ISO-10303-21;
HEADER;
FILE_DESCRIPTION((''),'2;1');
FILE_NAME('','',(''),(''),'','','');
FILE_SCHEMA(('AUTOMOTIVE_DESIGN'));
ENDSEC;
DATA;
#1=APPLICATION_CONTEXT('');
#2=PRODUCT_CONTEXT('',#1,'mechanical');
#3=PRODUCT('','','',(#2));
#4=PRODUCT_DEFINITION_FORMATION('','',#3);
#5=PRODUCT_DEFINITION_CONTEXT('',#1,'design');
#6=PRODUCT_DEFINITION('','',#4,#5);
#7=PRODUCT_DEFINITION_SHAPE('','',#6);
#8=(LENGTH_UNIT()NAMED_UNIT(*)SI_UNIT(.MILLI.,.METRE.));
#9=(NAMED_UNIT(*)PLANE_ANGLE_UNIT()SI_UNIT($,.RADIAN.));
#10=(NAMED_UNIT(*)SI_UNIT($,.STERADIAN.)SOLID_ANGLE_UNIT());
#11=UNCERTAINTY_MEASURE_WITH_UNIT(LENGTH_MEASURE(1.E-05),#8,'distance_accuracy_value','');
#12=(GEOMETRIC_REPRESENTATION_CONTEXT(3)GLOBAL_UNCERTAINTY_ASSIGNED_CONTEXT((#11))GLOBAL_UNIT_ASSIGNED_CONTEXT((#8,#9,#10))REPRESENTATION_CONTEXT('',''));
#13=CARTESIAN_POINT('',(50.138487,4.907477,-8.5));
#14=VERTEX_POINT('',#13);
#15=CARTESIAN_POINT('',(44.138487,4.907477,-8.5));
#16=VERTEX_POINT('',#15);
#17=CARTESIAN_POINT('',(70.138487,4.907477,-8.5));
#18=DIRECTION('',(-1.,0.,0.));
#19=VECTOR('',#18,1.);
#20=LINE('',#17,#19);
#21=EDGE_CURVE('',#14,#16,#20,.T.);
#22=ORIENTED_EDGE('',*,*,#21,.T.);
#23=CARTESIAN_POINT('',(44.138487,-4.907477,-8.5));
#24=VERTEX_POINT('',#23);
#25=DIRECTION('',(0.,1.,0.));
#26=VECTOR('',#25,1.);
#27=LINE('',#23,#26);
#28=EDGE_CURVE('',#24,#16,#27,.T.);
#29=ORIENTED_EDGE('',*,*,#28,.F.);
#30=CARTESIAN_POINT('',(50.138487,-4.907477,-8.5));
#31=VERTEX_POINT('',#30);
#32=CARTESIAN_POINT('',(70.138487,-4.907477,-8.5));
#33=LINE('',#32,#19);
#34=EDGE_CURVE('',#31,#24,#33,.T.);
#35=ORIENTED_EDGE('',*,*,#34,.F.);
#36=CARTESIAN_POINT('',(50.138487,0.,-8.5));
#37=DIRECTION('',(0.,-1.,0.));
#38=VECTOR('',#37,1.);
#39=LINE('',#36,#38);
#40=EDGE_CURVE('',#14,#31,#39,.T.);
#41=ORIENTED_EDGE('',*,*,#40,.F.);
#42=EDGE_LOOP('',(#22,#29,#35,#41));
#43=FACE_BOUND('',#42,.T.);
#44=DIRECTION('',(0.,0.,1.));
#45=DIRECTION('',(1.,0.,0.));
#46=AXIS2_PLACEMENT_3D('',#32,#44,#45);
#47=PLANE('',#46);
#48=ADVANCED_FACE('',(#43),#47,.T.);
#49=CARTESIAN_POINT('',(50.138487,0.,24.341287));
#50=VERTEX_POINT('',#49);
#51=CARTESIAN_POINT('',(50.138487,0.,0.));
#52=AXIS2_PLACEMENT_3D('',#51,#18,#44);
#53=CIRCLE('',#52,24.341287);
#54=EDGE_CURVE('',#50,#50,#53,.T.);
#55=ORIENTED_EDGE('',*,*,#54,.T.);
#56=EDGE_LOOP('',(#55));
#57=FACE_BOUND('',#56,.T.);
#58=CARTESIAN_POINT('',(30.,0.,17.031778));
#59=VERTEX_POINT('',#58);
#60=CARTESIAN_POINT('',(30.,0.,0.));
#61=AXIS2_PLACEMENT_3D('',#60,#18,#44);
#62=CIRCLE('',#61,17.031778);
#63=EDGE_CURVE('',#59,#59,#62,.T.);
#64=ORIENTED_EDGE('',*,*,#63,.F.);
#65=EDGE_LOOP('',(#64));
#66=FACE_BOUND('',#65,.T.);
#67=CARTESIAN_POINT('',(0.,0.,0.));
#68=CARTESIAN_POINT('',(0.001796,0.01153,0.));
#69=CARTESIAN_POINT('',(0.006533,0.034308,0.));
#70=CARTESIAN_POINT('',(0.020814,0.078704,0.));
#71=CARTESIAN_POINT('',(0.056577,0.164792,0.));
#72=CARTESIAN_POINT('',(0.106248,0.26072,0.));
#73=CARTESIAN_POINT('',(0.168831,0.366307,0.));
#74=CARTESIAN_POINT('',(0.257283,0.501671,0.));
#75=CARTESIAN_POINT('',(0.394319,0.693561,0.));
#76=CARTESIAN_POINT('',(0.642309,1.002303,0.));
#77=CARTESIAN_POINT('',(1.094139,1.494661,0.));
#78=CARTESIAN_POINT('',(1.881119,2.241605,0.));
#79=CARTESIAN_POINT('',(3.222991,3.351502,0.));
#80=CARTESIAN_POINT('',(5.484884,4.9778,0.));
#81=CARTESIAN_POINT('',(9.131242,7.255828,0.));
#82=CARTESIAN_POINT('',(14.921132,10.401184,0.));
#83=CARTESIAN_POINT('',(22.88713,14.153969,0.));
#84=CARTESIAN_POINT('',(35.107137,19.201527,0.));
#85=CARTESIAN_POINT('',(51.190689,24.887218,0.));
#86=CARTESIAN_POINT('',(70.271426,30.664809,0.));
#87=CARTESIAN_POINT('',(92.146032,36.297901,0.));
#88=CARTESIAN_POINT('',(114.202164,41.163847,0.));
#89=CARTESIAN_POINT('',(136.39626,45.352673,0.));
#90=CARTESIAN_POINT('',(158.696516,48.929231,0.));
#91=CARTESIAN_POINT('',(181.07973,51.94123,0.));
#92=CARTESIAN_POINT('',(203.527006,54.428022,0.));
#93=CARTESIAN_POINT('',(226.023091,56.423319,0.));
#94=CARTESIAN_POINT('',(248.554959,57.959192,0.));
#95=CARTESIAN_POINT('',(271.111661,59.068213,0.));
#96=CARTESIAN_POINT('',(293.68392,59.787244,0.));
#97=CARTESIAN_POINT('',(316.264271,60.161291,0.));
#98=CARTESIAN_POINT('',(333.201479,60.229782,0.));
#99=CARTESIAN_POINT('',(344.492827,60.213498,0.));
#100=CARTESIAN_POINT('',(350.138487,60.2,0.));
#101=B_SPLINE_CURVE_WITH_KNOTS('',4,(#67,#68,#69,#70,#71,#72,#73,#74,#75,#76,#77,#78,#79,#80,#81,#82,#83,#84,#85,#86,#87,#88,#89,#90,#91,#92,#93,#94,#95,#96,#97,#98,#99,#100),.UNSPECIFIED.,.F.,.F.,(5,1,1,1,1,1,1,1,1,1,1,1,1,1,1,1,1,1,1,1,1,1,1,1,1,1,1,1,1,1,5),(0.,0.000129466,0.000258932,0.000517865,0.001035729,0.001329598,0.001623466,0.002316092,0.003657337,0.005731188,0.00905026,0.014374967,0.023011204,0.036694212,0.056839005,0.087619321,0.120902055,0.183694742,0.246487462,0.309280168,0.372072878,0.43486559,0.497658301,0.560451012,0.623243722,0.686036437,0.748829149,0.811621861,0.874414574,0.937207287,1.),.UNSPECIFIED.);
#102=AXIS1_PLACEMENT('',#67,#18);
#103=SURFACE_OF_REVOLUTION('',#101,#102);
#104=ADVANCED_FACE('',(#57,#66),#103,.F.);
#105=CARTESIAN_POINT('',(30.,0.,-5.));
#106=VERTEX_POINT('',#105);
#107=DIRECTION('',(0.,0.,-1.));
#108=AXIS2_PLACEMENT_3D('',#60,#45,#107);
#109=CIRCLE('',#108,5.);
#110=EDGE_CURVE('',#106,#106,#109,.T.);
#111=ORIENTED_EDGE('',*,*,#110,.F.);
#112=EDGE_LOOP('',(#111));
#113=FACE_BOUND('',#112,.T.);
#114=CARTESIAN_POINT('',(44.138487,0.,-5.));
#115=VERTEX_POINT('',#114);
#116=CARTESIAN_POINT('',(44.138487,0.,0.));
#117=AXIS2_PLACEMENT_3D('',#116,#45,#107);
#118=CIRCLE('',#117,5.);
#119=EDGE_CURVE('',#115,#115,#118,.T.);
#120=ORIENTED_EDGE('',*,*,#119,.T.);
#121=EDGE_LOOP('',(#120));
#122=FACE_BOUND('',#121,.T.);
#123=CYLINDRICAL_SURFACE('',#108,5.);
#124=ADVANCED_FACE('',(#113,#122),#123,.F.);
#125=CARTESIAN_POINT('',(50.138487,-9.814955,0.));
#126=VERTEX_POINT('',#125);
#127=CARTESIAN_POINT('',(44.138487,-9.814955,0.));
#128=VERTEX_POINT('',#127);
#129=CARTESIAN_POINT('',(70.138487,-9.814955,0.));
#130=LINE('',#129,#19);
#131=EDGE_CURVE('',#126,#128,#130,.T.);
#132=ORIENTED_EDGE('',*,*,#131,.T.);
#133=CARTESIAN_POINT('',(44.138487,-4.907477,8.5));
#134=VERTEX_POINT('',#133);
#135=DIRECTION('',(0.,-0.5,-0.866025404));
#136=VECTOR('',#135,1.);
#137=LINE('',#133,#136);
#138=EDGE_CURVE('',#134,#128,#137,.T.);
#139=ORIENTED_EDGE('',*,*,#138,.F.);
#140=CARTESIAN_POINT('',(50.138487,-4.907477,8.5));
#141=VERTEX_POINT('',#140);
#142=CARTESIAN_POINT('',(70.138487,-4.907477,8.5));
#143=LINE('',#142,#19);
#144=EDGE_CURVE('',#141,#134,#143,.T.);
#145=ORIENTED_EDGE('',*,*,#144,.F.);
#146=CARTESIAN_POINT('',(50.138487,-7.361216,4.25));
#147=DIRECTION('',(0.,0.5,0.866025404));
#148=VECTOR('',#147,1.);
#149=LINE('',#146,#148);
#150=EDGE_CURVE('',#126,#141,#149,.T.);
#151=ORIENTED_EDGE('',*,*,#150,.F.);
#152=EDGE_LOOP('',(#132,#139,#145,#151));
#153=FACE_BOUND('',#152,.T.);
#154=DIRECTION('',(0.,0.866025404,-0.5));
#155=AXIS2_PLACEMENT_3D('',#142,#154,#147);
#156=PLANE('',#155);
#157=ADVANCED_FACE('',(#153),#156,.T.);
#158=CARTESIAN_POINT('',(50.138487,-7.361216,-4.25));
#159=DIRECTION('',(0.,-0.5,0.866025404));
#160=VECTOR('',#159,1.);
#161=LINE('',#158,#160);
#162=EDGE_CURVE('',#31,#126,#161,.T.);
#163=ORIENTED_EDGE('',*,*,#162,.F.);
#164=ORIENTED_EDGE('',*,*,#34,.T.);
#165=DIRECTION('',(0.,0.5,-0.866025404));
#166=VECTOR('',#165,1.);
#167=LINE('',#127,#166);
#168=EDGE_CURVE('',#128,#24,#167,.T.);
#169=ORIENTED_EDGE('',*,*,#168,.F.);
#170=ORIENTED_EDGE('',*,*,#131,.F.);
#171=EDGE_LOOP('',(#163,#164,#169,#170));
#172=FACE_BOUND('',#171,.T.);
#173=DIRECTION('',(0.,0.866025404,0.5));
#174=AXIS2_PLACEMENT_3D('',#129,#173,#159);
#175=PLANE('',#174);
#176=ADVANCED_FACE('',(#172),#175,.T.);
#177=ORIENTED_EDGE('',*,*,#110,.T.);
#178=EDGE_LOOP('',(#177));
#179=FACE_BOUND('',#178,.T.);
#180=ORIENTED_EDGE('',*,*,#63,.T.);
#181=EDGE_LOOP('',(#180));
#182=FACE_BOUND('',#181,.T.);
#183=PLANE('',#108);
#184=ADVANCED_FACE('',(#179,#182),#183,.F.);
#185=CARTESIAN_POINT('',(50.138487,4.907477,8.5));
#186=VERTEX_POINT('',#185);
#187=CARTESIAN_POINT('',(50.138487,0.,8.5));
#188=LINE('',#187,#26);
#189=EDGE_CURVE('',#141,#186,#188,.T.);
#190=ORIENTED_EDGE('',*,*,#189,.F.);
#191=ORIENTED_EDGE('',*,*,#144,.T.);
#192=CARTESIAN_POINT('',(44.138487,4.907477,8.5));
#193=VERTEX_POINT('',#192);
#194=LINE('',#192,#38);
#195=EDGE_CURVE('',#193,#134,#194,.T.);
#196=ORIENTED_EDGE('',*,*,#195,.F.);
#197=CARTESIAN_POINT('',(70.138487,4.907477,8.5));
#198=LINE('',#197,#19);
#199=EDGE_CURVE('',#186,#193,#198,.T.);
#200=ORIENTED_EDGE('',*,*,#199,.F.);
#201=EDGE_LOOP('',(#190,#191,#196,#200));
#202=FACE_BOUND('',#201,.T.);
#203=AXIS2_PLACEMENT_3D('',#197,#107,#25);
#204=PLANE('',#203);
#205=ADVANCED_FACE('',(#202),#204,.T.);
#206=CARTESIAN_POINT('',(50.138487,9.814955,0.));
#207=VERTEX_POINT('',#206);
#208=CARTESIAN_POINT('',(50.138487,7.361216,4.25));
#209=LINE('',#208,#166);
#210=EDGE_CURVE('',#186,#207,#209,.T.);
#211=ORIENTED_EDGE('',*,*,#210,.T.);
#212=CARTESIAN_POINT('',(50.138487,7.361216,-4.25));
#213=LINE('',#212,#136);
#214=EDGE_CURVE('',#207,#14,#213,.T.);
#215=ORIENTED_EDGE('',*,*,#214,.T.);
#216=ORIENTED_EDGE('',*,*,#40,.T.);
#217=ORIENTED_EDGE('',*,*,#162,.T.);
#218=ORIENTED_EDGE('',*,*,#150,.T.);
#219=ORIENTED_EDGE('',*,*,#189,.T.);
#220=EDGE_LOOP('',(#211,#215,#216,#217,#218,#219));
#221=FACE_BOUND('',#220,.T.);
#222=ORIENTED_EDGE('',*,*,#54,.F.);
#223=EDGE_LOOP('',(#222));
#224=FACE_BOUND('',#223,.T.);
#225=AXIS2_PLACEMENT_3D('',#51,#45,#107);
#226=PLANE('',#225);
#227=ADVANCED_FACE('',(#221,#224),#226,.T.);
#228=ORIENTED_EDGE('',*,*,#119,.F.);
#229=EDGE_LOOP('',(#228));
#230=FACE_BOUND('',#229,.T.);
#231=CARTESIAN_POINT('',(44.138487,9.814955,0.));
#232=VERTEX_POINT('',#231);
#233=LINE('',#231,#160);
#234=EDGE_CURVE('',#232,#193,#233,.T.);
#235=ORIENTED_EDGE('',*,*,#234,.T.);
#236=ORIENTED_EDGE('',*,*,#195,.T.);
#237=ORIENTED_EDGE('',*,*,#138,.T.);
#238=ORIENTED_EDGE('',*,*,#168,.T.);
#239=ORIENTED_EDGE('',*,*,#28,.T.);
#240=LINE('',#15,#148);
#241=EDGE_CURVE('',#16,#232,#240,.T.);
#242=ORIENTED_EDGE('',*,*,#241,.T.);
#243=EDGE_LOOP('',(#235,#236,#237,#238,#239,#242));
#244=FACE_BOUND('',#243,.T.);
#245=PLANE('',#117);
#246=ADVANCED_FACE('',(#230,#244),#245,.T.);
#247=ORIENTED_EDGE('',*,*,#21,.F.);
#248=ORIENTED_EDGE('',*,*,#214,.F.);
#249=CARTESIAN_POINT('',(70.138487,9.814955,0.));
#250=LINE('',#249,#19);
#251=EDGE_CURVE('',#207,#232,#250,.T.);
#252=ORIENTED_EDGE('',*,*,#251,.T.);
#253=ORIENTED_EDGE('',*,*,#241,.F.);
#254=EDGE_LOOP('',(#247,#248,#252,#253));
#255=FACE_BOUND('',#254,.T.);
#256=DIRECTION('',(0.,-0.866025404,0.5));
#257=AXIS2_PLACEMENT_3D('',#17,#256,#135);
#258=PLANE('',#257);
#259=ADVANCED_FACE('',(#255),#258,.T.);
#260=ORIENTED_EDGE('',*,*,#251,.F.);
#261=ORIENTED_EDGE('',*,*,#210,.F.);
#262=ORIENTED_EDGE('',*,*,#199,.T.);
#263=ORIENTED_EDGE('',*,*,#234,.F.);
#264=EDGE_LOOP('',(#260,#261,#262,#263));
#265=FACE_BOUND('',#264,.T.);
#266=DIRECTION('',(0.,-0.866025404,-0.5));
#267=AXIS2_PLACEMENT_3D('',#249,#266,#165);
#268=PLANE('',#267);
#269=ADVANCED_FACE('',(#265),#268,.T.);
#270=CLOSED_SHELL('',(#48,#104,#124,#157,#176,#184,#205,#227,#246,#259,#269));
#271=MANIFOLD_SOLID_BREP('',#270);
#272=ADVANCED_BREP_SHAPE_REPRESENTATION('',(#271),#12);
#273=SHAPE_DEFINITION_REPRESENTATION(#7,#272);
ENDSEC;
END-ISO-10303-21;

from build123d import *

# Parameters (mm, degrees)
SKIZZE4_R                            = 60
SCHNITT_LINEAR_AUSTRAGEN2_DEPTH      = 30
SKIZZE7_R                            = 100
SCHNITT_LINEAR_AUSTRAGEN4_DEPTH      = 270
SCHNITT_LINEAR_AUSTRAGEN3_DEPTH      = 20
SCHNITT_LINEAR_AUSTRAGEN3_DEPTH_BACK = 6
SKIZZE8_R                            = 5
SCHNITT_LINEAR_AUSTRAGEN5_DEPTH      = 15.138486988


with BuildPart() as part:
    # Skizze2 → Rotation1 (revolve)
    with BuildSketch(Plane.XY):
        with BuildLine():
            add(Edge.make_bspline(
                [(0, 0), (0.001795611, 0.01152954), (0.006532552, 0.034308256), (0.020814366, 0.078703922), (0.056576906, 0.164791889), (0.106248222, 0.260720398), (0.168831035, 0.366307006), (0.257283092, 0.501671411), (0.394318593, 0.693561073), (0.642308836, 1.002302903), (1.094138817, 1.494661034), (1.881119362, 2.241604858), (3.222990514, 3.351501836), (5.484884156, 4.977799832), (9.131242119, 7.255827512), (14.921132384, 10.401183749), (22.887129803, 14.153969102), (35.107137362, 19.201527382), (51.190688574, 24.887218377), (70.271426107, 30.664808891), (92.146031821, 36.297901472), (114.202164386, 41.163847082), (136.396259571, 45.35267271), (158.696515923, 48.929230891), (181.079729625, 51.941229812), (203.527006462, 54.42802234), (226.023091403, 56.423318789), (248.554958993, 57.959192165), (271.111661384, 59.068213328), (291.830400074, 59.728200821), (306.910887079, 60.003248255), (316.347321901, 60.107131137), (320.138486888, 60.138935837)],
                knots=[0, 0, 0, 0, 0, 0.000129466, 0.000258932, 0.000517865, 0.001035729, 0.001329598, 0.001623466, 0.002316092, 0.003657337, 0.005731188, 0.00905026, 0.014374967, 0.023011204, 0.036694212, 0.056839005, 0.087619321, 0.120902055, 0.183694742, 0.246487462, 0.309280168, 0.372072878, 0.43486559, 0.497658301, 0.560451012, 0.623243722, 0.686036437, 0.748829149, 0.811621861, 0.874414574, 0.916582404, 0.916582404, 0.916582404, 0.916582404, 0.916582404], degree=4))
            Line((0, 0), (320.138486888, 0))
            Line((320.138486888, 0), (320.138486888, 60.138935837))
        make_face()
    revolve(axis=Axis((0, 0, 0), (1, 0, 0)))

    # Skizze4 → Schnitt-Linear austragen2 (cut)
    with BuildSketch(Plane(origin=(0, 0, 0), x_dir=(0, 0, -1), z_dir=(1, 0, 0))):
        Circle(SKIZZE4_R)
    extrude(amount=SCHNITT_LINEAR_AUSTRAGEN2_DEPTH, mode=Mode.SUBTRACT)

    # Skizze7 → Schnitt-Linear austragen4 (cut)
    with BuildSketch(Plane(origin=(320.138486888, 0, 0), x_dir=(0, 0, -1), z_dir=(1, 0, 0))):
        Circle(SKIZZE7_R)
    extrude(amount=-SCHNITT_LINEAR_AUSTRAGEN4_DEPTH, mode=Mode.SUBTRACT)

    # Skizze6 → Schnitt-Linear austragen3 (cut, two sides)
    with BuildSketch(Plane(origin=(50.138486888, 0, 0), x_dir=(0, 0, -1), z_dir=(1, 0, 0))) as schnitt_linear_austragen3_sk:
        Polygon((0, -9.814954576), (8.5, -4.907477288), (8.5, 4.907477288), (0, 9.814954576), (-8.5, 4.907477288), (-8.5, -4.907477288), align=None)
    extrude(amount=SCHNITT_LINEAR_AUSTRAGEN3_DEPTH, mode=Mode.SUBTRACT)
    extrude(schnitt_linear_austragen3_sk.sketch, amount=-SCHNITT_LINEAR_AUSTRAGEN3_DEPTH_BACK, mode=Mode.SUBTRACT)

    # Skizze8 → Schnitt-Linear austragen5 (cut, through all)
    with BuildSketch(Plane(origin=(44.138486888, 0, 0), x_dir=(0, 0, -1), z_dir=(1, 0, 0))):
        Circle(SKIZZE8_R)
    extrude(amount=-SCHNITT_LINEAR_AUSTRAGEN5_DEPTH, mode=Mode.SUBTRACT)


solid = part.part
